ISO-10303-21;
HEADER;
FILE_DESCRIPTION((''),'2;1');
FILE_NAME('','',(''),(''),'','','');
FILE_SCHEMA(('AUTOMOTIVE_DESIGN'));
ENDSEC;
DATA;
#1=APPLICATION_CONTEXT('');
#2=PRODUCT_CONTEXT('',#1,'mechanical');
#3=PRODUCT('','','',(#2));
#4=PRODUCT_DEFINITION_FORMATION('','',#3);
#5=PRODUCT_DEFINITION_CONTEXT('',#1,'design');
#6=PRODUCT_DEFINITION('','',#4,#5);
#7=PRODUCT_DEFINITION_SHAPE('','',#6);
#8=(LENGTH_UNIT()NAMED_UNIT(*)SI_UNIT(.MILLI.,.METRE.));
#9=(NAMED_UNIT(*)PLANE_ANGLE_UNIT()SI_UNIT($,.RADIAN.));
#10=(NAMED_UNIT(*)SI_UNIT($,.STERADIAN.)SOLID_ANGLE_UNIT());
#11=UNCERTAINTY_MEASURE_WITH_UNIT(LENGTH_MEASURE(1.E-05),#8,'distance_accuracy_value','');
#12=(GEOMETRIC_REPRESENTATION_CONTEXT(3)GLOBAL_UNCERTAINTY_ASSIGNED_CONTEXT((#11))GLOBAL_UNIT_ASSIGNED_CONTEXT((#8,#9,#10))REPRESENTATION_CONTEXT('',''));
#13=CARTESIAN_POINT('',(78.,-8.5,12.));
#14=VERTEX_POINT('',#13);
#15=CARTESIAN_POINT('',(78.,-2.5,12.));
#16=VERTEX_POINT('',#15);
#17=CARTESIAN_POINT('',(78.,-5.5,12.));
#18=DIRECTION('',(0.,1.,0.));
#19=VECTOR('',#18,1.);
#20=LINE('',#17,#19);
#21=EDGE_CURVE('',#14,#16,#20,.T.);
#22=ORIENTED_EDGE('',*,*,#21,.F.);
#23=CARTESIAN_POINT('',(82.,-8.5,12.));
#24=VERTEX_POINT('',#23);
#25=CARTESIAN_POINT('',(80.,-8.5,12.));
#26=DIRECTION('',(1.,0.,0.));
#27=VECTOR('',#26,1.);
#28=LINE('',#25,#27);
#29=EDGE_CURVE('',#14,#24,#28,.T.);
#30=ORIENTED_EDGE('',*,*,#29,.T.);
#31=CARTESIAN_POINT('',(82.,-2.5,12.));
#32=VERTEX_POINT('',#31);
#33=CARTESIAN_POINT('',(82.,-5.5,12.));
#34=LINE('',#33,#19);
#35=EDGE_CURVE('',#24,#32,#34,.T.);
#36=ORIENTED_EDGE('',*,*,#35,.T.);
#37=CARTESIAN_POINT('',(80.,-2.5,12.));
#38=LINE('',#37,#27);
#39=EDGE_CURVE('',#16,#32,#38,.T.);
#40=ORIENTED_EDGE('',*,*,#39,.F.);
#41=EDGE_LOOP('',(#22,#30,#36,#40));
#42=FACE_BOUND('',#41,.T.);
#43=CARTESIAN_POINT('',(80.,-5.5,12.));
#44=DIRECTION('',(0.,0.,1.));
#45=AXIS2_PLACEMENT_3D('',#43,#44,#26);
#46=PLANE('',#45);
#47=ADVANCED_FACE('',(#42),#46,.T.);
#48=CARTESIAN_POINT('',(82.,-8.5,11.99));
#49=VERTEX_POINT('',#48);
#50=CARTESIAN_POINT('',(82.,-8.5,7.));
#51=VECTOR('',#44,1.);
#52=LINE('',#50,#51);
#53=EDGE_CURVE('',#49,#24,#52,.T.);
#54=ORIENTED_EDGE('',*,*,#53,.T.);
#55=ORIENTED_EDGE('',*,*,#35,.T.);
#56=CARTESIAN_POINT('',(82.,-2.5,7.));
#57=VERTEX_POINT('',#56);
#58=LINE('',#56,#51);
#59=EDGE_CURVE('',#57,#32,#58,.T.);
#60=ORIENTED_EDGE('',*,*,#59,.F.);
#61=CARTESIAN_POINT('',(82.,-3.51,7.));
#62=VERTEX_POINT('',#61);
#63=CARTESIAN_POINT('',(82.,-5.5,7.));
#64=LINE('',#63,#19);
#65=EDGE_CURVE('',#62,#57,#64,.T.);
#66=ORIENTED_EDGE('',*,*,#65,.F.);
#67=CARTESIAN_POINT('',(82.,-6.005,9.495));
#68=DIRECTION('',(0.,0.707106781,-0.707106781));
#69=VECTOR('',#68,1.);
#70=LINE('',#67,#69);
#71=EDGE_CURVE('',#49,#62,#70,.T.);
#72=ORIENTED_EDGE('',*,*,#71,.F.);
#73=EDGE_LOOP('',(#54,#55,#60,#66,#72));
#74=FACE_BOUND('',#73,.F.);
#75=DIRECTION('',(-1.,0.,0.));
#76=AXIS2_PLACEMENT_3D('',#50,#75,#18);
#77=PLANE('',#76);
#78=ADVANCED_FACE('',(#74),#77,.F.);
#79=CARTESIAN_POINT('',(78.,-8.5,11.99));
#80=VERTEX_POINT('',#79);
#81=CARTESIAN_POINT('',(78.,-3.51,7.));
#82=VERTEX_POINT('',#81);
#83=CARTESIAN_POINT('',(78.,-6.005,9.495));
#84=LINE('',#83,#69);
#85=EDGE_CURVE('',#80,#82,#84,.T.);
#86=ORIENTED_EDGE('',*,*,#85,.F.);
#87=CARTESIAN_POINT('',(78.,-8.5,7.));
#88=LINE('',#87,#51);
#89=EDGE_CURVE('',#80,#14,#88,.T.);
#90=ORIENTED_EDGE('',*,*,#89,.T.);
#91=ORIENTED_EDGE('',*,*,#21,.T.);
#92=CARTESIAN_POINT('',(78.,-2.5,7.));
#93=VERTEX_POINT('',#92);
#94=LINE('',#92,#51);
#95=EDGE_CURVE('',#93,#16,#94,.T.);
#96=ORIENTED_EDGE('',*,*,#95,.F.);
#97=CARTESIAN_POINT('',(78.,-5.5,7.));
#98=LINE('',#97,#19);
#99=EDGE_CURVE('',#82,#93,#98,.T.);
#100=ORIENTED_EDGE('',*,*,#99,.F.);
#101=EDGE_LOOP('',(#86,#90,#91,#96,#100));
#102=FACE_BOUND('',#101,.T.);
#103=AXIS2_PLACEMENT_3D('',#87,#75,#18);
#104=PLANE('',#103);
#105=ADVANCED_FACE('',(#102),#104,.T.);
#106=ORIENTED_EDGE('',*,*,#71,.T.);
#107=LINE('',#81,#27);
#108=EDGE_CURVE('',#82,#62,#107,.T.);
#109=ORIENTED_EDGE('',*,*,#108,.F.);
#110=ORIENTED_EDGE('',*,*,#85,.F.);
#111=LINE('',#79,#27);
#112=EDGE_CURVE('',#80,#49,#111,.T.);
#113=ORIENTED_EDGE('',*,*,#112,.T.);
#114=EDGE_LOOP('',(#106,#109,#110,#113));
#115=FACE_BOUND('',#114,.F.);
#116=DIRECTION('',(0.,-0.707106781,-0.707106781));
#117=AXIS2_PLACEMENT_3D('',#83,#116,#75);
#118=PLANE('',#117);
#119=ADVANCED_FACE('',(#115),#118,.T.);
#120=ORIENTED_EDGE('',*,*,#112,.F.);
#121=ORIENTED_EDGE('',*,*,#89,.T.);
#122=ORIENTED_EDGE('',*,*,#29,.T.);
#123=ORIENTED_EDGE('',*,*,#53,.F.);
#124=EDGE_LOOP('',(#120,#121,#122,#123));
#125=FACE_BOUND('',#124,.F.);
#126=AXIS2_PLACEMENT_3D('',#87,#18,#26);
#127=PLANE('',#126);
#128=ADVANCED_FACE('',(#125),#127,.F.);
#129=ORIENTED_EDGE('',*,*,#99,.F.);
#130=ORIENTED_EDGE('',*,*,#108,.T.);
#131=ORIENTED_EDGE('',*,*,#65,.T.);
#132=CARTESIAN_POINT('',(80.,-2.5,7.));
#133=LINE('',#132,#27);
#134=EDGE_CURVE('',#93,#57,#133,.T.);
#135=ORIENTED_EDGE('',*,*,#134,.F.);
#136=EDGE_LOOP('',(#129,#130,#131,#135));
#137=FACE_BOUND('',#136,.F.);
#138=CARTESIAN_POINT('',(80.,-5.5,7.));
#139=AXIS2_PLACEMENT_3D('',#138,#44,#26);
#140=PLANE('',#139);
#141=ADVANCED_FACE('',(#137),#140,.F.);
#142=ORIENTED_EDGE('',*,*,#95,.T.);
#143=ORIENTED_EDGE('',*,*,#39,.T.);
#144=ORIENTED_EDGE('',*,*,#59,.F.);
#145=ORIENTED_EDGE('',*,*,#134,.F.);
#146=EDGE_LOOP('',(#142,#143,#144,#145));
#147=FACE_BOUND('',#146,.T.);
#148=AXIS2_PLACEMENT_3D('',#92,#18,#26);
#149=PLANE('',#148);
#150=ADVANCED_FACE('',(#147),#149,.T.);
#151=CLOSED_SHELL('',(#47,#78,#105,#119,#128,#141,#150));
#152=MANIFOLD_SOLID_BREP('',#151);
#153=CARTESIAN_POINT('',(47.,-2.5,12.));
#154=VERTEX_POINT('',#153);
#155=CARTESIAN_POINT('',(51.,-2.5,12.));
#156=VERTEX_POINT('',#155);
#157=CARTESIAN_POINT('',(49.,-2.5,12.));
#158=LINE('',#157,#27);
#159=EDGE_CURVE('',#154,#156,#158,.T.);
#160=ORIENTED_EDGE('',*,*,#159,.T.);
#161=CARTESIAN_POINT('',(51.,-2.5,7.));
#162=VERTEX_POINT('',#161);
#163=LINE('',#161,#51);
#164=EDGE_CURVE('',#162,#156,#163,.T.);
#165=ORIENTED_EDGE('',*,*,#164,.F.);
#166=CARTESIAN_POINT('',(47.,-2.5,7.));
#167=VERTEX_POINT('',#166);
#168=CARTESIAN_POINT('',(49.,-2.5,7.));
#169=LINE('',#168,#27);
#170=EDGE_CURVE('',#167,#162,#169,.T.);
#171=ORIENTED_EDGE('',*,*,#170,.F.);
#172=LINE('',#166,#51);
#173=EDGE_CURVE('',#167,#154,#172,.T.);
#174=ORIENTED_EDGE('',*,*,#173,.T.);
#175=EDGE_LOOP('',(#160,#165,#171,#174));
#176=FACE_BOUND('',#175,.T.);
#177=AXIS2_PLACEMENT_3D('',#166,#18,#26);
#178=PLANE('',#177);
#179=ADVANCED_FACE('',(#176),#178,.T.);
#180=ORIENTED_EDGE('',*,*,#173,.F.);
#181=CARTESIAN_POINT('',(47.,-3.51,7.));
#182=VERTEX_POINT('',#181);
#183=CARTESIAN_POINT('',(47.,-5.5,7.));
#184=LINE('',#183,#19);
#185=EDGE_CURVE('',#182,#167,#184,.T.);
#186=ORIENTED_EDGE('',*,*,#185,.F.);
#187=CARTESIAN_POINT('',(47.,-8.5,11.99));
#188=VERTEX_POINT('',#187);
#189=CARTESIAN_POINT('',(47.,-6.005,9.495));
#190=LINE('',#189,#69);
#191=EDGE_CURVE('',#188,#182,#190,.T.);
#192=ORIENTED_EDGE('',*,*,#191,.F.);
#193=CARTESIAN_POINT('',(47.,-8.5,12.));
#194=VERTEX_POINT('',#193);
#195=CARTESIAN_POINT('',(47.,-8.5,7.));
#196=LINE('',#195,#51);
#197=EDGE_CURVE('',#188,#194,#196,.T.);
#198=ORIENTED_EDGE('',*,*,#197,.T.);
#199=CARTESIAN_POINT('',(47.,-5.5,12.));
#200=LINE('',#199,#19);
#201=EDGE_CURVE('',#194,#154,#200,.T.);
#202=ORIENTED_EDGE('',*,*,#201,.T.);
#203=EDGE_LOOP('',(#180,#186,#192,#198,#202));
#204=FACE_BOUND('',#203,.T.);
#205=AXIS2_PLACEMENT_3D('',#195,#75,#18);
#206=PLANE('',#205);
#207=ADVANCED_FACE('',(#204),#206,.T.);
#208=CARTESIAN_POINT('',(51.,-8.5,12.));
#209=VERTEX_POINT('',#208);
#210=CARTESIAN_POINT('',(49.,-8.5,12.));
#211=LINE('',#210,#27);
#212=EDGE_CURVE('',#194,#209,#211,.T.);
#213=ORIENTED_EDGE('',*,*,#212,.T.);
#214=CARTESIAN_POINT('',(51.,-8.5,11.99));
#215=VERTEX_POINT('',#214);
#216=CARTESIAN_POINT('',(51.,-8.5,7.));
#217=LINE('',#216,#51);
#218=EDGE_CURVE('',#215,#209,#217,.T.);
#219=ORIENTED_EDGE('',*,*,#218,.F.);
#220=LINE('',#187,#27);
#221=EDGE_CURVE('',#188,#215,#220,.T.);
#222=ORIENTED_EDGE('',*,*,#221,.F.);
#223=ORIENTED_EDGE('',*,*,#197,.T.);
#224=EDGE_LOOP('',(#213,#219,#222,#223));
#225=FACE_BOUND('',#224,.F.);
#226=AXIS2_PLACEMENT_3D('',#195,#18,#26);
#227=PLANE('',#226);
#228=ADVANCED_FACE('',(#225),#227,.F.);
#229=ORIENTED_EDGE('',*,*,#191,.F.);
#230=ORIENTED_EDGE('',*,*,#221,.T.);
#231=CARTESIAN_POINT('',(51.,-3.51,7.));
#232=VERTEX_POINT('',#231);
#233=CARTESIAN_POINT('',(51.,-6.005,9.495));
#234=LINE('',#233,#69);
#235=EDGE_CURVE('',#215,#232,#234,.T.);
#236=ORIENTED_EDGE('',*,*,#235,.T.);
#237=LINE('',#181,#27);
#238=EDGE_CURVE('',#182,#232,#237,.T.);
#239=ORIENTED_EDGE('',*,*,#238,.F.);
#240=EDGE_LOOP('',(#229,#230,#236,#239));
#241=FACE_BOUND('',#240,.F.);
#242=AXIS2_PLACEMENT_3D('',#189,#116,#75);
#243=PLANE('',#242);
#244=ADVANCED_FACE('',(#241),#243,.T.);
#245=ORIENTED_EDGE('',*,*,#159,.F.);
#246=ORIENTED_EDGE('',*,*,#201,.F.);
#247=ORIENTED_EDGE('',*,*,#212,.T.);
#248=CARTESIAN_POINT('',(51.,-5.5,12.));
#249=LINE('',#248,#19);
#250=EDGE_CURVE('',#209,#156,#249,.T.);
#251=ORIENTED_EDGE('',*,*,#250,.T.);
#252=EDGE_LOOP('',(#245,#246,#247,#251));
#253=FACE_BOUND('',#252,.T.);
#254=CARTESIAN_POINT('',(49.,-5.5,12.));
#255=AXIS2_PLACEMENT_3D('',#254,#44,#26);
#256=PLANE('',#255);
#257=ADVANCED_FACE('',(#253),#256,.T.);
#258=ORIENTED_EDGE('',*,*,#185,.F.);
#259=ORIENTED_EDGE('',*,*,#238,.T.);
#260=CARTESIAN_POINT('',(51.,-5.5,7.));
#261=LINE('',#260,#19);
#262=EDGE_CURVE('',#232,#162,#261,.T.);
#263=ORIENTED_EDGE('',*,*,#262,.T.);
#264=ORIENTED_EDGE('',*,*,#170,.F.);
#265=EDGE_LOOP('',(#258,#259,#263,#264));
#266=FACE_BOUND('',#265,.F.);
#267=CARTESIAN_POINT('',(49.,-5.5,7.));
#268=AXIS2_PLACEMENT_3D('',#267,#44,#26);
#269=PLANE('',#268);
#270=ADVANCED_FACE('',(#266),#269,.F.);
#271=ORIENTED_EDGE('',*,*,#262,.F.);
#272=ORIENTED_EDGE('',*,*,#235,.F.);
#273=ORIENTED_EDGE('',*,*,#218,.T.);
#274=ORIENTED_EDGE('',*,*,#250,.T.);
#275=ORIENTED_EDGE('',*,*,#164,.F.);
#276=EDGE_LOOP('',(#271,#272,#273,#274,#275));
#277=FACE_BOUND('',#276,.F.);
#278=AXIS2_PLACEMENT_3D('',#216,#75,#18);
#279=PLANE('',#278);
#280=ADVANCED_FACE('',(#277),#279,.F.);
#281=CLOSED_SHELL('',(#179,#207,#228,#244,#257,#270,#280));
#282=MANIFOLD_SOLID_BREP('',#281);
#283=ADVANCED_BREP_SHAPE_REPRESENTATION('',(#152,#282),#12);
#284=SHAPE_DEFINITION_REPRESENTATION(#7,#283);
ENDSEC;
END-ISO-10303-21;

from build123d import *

# Parameters (mm, degrees)
BOX003_W     = 4
BOX003_H     = 6
BOX003_DEPTH = 5
BOX002_W     = 4
BOX002_H     = 6
BOX002_DEPTH = 5
CHAMFER_SIZE = 4.99


with BuildPart() as stiffenercube2:
    # Box003 → Box003 (new body)
    with BuildSketch(Plane(origin=(78, -8.5, 7), x_dir=(1, 0, 0), z_dir=(0, 0, 1))):
        with Locations((2, 3)):
            Rectangle(BOX003_W, BOX003_H)
    extrude(amount=BOX003_DEPTH)


with BuildPart() as stiffenerchamfer:
    # Box002 → Box002 (new body)
    with BuildSketch(Plane(origin=(47, -8.5, 7), x_dir=(1, 0, 0), z_dir=(0, 0, 1))):
        with Locations((2, 3)):
            Rectangle(BOX002_W, BOX002_H)
    extrude(amount=BOX002_DEPTH)

    # Fusion003: union StiffenerCube2
    add(stiffenercube2.part)

    # Chamfer
    chamfer_edges = [stiffenerchamfer.edges().sort_by_distance(p)[0] for p in [
        (49, -8.5, 7),
        (80, -8.5, 7),
    ]]
    chamfer(chamfer_edges, length=CHAMFER_SIZE)


solid = stiffenerchamfer.part
